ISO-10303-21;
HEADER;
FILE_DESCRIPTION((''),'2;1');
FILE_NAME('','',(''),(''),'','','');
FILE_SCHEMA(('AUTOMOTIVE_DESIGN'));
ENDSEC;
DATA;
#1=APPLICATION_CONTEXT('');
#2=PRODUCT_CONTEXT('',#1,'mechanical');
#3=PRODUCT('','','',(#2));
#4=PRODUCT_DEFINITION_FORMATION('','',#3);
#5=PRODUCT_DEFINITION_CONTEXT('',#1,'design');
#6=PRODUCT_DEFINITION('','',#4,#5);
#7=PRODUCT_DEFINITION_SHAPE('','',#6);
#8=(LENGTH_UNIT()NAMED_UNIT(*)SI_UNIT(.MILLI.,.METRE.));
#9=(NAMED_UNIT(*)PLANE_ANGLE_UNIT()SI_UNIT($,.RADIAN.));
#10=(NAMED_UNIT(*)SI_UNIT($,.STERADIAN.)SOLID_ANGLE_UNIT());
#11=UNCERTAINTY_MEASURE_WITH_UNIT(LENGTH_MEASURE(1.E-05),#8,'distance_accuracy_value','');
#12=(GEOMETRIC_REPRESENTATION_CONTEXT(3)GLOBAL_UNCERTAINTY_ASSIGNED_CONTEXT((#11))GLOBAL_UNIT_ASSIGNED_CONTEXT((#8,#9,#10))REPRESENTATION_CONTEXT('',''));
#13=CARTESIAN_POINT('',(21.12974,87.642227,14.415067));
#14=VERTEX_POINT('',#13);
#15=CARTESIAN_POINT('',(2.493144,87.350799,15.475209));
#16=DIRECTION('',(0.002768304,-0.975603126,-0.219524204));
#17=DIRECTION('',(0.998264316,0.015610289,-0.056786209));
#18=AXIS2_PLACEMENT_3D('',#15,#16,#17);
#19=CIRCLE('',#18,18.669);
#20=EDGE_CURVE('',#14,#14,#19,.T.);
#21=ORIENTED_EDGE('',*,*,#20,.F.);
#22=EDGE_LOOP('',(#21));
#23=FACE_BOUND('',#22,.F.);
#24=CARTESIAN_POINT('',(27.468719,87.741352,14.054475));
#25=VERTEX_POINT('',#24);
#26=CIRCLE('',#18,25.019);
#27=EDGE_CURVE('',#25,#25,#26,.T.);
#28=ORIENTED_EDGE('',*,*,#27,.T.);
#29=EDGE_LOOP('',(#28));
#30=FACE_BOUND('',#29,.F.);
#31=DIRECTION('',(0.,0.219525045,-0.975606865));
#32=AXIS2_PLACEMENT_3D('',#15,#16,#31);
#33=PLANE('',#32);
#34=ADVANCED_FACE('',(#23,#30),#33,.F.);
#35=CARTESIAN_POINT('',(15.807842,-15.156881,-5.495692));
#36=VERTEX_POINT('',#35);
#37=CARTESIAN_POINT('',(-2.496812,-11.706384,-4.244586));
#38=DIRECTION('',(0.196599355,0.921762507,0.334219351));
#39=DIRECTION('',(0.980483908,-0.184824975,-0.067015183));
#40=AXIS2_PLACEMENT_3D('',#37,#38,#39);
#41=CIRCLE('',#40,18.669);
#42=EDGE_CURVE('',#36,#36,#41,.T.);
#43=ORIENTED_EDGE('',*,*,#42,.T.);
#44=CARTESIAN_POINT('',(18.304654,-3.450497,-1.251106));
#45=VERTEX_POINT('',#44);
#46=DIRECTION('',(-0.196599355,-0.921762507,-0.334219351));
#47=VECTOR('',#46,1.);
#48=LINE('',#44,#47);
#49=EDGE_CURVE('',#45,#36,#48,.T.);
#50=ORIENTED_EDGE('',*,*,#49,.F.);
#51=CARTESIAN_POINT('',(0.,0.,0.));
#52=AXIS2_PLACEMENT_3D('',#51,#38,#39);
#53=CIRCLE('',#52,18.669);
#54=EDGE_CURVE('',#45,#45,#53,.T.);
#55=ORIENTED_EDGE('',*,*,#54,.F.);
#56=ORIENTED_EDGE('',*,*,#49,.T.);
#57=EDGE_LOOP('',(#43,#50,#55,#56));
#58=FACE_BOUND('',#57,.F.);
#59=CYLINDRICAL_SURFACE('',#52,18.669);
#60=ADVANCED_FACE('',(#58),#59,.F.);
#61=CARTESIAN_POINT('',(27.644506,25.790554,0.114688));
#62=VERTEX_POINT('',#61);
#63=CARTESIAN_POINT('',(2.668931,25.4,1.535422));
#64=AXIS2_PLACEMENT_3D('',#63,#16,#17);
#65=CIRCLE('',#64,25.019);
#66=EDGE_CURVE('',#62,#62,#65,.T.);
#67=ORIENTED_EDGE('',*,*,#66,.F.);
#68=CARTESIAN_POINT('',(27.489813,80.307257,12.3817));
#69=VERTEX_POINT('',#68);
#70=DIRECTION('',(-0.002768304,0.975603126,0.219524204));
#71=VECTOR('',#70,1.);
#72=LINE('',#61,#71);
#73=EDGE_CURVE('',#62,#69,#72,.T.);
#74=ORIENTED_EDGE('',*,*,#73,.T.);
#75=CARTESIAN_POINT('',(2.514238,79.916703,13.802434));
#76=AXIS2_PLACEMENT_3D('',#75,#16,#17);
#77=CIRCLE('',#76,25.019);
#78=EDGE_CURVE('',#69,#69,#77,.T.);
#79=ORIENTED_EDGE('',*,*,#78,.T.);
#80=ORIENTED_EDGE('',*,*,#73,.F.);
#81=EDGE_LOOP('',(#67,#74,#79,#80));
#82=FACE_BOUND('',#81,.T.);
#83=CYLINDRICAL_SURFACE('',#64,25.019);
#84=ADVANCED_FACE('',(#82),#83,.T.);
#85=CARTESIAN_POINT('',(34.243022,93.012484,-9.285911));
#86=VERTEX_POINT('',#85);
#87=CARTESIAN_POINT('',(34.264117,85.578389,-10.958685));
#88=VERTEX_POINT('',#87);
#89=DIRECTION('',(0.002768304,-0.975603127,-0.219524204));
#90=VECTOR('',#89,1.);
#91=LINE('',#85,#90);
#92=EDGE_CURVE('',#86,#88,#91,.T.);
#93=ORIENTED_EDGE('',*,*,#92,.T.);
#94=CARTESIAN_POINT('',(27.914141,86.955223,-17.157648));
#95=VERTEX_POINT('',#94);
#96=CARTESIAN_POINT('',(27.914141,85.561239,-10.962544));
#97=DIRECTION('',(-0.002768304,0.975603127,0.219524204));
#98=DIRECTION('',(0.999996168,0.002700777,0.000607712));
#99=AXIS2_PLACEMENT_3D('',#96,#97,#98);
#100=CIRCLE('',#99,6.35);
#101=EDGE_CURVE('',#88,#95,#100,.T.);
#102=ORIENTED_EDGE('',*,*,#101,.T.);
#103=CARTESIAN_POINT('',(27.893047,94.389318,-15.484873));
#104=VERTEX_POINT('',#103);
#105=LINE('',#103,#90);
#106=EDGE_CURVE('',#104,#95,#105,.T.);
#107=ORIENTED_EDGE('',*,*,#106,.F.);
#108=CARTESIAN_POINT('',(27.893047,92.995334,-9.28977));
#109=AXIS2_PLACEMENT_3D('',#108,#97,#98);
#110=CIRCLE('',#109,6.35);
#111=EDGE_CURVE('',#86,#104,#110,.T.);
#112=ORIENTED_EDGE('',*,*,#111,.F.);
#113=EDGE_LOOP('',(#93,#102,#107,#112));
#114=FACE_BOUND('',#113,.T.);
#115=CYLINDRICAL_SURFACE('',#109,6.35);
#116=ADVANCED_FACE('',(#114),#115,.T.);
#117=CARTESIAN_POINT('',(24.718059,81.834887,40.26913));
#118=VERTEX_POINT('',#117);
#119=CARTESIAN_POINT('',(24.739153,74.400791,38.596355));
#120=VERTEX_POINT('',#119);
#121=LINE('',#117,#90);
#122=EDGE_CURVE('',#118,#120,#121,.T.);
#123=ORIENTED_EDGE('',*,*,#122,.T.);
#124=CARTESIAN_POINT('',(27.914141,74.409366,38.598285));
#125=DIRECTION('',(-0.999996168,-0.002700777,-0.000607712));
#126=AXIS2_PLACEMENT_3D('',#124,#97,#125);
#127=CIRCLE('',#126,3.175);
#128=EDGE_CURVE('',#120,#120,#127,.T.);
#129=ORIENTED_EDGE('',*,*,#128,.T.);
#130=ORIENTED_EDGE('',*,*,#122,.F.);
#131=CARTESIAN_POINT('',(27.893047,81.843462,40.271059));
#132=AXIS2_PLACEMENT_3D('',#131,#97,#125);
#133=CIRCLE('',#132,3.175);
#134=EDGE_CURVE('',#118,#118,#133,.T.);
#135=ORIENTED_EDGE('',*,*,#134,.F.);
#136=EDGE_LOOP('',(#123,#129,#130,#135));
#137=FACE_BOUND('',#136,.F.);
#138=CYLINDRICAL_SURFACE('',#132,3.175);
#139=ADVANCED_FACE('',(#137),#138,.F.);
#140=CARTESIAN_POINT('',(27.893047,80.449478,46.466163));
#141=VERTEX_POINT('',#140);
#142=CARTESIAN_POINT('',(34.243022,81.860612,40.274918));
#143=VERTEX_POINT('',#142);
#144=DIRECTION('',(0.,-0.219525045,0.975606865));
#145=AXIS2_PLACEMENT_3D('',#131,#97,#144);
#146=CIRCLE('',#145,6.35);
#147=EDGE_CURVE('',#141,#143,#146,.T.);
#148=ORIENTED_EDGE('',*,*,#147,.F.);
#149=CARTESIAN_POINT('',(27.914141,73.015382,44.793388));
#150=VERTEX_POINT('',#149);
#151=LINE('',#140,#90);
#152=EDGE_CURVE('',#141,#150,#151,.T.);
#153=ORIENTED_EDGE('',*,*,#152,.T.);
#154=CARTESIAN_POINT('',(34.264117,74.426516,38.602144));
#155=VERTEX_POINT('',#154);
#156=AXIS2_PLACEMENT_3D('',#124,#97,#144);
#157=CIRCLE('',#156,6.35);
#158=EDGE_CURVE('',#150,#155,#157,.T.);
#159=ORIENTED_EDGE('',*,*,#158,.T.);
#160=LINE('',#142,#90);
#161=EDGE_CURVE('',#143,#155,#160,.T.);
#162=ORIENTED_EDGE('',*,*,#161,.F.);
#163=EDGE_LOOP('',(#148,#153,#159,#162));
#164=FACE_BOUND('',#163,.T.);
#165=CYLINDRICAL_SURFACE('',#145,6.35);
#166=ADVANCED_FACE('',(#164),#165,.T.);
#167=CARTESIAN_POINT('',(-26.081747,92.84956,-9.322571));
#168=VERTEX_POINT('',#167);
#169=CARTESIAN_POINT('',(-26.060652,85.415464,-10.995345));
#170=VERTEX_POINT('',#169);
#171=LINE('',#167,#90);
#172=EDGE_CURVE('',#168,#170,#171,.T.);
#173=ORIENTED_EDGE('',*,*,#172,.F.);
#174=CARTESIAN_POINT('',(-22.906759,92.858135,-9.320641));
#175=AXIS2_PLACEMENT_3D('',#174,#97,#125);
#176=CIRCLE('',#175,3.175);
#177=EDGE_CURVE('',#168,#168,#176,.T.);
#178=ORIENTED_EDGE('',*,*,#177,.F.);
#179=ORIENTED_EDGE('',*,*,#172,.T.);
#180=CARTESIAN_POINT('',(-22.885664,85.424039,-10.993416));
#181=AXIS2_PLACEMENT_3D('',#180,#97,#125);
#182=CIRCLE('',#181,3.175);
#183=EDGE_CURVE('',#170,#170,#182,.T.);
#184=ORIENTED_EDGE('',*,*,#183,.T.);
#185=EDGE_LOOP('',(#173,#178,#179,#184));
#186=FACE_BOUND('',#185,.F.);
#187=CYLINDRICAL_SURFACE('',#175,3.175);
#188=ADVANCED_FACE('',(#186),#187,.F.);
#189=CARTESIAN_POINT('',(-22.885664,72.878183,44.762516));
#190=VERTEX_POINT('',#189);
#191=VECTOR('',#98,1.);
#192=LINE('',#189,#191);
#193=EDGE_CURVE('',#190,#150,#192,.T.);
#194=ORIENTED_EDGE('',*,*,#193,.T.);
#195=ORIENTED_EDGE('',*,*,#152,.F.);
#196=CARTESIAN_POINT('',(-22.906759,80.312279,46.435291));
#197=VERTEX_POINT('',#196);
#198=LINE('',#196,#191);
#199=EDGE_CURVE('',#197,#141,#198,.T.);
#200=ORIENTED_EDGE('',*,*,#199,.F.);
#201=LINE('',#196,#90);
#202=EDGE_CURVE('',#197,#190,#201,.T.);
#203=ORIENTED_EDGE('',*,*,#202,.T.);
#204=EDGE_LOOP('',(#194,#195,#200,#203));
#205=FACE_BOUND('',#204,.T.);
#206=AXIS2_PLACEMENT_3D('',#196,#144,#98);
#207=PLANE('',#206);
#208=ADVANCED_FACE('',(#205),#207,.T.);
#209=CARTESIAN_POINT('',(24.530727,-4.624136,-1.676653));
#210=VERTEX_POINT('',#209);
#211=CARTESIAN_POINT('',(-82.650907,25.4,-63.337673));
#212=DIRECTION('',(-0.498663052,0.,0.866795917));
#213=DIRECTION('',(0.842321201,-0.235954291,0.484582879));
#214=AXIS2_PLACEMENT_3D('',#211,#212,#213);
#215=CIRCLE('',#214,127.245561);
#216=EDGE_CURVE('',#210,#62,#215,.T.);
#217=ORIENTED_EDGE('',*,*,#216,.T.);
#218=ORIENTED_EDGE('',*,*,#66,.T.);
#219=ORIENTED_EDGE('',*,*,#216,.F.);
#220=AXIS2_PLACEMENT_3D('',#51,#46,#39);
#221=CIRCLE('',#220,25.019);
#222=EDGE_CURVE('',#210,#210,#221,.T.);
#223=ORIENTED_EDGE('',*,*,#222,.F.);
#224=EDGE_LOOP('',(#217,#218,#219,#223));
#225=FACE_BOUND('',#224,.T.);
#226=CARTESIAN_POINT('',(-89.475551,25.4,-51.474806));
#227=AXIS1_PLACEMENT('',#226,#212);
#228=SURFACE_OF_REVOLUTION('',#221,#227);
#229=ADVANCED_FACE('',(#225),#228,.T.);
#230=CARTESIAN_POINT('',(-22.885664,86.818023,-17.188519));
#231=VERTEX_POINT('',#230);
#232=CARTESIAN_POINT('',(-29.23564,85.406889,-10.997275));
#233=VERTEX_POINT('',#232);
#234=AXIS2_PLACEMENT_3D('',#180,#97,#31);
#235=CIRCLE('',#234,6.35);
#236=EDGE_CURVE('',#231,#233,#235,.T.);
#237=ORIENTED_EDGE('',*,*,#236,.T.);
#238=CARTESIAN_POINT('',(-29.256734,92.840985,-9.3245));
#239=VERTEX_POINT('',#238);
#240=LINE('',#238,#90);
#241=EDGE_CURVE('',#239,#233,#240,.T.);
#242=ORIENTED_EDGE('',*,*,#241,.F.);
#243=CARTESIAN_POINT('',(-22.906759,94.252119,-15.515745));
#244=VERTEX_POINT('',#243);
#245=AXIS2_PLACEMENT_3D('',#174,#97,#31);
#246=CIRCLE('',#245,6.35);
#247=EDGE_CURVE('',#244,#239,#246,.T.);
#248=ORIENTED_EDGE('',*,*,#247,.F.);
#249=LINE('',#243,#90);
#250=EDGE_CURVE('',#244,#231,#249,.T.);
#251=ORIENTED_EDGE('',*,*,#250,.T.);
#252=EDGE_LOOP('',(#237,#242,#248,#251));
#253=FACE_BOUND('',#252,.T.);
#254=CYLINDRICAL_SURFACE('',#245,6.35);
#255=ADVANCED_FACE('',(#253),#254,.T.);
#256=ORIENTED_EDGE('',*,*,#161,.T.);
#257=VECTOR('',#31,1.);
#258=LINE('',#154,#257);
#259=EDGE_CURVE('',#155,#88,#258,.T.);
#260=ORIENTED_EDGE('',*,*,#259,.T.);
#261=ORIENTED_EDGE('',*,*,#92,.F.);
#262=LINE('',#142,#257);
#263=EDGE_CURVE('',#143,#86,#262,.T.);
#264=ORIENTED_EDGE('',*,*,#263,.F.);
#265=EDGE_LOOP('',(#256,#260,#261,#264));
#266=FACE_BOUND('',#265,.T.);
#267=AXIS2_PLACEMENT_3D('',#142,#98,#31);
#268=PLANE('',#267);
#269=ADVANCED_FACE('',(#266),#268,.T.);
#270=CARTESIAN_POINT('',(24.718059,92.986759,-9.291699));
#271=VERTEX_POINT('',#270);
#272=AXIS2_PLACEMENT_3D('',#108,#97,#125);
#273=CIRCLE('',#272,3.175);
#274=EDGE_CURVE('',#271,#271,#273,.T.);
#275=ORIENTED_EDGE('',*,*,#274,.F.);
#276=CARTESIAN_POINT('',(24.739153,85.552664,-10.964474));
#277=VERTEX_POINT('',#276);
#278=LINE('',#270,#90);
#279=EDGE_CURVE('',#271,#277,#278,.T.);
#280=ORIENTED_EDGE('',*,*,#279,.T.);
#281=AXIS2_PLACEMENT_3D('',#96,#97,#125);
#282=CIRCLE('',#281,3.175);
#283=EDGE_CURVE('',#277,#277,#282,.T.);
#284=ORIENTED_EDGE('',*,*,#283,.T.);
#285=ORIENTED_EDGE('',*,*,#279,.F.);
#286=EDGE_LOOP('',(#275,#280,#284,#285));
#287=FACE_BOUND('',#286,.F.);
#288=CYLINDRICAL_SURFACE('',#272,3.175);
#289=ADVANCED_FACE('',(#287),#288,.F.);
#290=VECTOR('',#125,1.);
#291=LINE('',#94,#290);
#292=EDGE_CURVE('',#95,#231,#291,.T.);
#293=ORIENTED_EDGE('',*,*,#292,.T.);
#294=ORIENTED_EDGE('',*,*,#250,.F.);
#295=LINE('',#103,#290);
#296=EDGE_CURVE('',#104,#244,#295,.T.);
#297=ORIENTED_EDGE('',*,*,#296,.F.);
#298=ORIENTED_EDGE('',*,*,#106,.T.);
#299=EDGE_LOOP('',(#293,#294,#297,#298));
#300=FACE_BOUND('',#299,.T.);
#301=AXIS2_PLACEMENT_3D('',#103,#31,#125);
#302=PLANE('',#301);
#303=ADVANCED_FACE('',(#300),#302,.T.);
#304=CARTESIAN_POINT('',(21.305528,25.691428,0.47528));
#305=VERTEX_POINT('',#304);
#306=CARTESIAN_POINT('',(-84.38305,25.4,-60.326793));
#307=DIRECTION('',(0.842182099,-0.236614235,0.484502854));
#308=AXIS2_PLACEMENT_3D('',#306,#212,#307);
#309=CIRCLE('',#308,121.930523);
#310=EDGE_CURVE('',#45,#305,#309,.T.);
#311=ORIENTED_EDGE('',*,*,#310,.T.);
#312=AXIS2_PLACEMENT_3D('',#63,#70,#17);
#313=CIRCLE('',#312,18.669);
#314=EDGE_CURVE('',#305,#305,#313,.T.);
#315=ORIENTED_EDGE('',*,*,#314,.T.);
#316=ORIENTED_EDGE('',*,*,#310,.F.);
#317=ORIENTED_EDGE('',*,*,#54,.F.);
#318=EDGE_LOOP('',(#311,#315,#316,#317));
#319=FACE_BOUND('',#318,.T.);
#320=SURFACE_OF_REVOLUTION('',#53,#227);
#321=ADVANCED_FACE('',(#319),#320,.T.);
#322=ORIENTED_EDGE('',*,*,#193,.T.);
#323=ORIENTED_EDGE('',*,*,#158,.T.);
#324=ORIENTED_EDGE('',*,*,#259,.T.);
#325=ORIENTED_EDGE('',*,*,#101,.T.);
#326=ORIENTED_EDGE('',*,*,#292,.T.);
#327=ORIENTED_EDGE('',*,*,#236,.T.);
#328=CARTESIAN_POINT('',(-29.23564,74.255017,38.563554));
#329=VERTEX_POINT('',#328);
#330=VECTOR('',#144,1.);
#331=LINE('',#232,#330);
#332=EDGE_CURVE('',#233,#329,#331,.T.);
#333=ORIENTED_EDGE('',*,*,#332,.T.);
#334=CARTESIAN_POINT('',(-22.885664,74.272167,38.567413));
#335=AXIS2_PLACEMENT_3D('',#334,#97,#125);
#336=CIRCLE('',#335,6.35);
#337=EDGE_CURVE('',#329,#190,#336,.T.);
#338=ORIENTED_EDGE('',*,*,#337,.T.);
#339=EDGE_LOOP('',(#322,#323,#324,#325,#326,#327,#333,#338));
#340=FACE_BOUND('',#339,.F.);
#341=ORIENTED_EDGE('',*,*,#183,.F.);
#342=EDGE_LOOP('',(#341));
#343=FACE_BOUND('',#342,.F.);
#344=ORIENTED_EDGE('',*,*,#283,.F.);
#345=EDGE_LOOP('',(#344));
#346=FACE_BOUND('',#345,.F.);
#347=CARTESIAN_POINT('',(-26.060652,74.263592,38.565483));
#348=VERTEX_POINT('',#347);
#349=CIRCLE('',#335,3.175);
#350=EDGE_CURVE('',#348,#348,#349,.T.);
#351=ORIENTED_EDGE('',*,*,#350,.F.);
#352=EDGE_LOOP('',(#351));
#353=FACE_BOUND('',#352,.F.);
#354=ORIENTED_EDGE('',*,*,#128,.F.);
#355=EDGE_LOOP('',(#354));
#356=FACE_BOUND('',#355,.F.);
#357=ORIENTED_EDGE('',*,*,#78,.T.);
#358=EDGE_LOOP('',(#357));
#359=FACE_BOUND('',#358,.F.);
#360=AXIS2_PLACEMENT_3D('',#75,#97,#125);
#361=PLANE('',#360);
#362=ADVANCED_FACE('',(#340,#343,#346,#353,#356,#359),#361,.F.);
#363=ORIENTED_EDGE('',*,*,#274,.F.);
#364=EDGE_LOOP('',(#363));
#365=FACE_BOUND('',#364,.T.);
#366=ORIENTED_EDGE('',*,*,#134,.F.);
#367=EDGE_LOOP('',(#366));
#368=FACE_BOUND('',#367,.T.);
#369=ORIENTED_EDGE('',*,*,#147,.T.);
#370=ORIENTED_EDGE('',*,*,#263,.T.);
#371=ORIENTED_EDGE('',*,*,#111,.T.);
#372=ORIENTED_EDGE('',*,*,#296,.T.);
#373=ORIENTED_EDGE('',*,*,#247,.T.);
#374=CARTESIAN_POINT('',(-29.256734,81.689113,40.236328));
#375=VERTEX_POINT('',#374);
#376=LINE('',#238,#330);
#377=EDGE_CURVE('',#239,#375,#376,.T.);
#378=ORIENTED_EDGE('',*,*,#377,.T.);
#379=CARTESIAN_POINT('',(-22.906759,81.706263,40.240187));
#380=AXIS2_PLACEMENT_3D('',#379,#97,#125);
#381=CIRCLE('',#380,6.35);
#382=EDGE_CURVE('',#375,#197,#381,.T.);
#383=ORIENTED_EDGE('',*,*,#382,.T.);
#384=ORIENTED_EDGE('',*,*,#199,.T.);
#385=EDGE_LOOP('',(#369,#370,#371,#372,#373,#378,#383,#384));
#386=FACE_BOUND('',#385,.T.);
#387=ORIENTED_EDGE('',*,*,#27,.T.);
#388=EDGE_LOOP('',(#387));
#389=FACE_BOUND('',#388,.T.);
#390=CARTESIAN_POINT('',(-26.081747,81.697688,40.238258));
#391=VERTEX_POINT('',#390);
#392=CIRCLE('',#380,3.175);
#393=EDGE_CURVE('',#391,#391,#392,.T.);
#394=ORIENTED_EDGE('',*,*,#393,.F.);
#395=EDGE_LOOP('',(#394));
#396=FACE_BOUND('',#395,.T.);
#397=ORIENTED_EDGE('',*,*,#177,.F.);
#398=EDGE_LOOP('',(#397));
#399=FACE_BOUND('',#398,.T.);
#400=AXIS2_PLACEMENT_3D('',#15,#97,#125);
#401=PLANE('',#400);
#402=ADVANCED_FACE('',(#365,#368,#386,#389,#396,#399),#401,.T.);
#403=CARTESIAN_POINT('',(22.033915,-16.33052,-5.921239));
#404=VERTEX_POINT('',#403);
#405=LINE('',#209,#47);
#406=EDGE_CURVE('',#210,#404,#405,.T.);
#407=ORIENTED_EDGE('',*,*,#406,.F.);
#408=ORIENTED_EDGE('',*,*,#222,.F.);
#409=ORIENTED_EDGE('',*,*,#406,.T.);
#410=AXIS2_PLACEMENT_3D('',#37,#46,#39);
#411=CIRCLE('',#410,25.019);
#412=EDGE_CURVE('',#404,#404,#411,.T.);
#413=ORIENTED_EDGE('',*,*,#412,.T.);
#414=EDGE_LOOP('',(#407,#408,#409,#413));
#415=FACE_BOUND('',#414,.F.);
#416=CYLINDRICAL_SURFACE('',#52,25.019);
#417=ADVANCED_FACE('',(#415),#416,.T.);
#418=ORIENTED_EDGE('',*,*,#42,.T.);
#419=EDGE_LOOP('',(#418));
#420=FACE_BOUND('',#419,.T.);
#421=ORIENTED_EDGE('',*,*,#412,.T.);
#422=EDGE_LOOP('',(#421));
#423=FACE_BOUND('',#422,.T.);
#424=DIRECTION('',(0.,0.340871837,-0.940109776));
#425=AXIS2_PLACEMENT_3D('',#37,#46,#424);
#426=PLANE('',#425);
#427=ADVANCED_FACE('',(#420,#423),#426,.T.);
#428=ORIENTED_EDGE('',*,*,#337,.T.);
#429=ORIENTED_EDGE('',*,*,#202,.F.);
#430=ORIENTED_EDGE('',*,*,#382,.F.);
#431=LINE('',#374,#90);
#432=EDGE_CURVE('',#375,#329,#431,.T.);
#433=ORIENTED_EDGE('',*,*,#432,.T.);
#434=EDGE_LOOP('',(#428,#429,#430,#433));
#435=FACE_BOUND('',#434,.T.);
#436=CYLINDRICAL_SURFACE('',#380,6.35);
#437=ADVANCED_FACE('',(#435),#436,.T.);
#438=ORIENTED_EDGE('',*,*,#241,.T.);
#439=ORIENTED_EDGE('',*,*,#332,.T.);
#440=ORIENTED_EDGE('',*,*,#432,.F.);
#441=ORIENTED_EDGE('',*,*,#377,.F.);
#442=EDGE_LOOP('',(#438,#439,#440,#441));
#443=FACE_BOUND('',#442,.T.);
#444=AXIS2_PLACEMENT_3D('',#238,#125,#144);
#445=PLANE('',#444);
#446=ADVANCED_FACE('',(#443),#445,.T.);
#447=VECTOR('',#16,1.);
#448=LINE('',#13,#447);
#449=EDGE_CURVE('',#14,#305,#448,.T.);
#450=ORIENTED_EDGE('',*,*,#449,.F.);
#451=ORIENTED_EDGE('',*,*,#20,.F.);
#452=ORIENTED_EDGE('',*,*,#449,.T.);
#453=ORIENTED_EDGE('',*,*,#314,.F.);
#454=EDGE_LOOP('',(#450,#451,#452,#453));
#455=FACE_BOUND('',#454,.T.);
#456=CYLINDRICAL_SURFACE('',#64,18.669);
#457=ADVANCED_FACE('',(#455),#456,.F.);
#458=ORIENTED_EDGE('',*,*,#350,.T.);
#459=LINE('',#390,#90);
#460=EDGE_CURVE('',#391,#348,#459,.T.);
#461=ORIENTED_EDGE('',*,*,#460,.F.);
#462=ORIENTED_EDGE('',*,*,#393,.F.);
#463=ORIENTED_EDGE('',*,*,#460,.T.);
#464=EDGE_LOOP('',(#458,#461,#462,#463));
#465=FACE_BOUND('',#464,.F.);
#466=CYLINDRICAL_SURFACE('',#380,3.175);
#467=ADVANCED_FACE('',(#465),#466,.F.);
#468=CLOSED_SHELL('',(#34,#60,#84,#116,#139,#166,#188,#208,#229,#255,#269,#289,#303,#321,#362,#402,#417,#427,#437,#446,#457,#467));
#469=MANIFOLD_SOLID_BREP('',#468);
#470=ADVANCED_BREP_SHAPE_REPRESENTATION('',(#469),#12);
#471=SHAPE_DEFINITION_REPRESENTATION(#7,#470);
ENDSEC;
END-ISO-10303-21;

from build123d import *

# Parameters (mm, degrees)
F4_R      = 25.019
F4_R_2    = 18.669
F11_DEPTH = 12.7
F12_DEPTH = 63.5
F13_R     = 3.175
F13_R_2   = 18.669
F14_DEPTH = 7.62


with BuildPart() as f10:
    # F10: sweep along a path in F9
    with BuildLine(Plane(origin=(0, 0, 0), x_dir=(0.8667959165, 0, 0.4986630517), z_dir=(-0.4986630517, 0, 0.8667959165))) as f10_path:
        ThreePointArc((0, 0), (2.3065003197, 12.6070261986), (3.0790769281, 25.4))
    # F4 (on 3pt) → F10 (sweep)
    with BuildSketch(Plane(origin=(0, 0, 0), x_dir=(0.9804839079, -0.1848249753, -0.0670151833), z_dir=(-0.1965993547, -0.9217625069, -0.3342193511))):
        Circle(F4_R)
        Circle(F4_R_2, mode=Mode.SUBTRACT)
    sweep(path=f10_path.line)

    # F11 (add): a face of the model
    f11_faces = [f10.faces().sort_by_distance(p)[0] for p in [
        (-23.8368931593, 4.4933457387, 1.6292299652),
    ]]
    extrude(f11_faces, amount=F11_DEPTH)

    # F12 (add): a face of the model
    f12_faces = [f10.faces().sort_by_distance(p)[0] for p in [
        (-21.6002276868, 25.0204927062, 2.9159716408),
    ]]
    extrude(f12_faces, amount=F12_DEPTH)

    # F13 (on face) → F14 (join)
    with BuildSketch(Plane(origin=(-0.2452994322, 86.4481864715, 19.4520382221), x_dir=(-0.9999961682, -0.0027007768, -0.0006077121), z_dir=(-0.0027683044, 0.9756031265, 0.2195242038))):
        with BuildLine():
            Line((-28.1384539053, -35.8279679991), (22.6615460947, -35.8279679991))
            ThreePointArc((22.6615460947, -35.8279679991), (27.1516741552, -33.9680960597), (29.0115460947, -29.4779679991))
            Line((29.0115460947, -29.4779679991), (29.0115460947, 21.3220320009))
            ThreePointArc((29.0115460947, 21.3220320009), (27.1516741552, 25.8121600614), (22.6615460947, 27.6720320009))
            Line((22.6615460947, 27.6720320009), (-28.1384539053, 27.6720320009))
            ThreePointArc((-28.1384539053, 27.6720320009), (-32.6285819658, 25.8121600614), (-34.4884539053, 21.3220320009))
            Line((-34.4884539053, 21.3220320009), (-34.4884539053, -29.4779679991))
            ThreePointArc((-34.4884539053, -29.4779679991), (-32.6285819658, -33.9680960597), (-28.1384539053, -35.8279679991))
        make_face()
        with Locations((-28.1384539053, -29.4779679991)):
            Circle(F13_R, mode=Mode.SUBTRACT)
        with Locations((22.6615460947, -29.4779679991)):
            Circle(F13_R, mode=Mode.SUBTRACT)
        with Locations((-28.1384539053, 21.3220320009)):
            Circle(F13_R, mode=Mode.SUBTRACT)
        with Locations((-2.7384539053, -4.0779679991)):
            Circle(F13_R_2, mode=Mode.SUBTRACT)
        with Locations((22.6615460947, 21.3220320009)):
            Circle(F13_R, mode=Mode.SUBTRACT)
    extrude(amount=-F14_DEPTH)


solid = f10.part
